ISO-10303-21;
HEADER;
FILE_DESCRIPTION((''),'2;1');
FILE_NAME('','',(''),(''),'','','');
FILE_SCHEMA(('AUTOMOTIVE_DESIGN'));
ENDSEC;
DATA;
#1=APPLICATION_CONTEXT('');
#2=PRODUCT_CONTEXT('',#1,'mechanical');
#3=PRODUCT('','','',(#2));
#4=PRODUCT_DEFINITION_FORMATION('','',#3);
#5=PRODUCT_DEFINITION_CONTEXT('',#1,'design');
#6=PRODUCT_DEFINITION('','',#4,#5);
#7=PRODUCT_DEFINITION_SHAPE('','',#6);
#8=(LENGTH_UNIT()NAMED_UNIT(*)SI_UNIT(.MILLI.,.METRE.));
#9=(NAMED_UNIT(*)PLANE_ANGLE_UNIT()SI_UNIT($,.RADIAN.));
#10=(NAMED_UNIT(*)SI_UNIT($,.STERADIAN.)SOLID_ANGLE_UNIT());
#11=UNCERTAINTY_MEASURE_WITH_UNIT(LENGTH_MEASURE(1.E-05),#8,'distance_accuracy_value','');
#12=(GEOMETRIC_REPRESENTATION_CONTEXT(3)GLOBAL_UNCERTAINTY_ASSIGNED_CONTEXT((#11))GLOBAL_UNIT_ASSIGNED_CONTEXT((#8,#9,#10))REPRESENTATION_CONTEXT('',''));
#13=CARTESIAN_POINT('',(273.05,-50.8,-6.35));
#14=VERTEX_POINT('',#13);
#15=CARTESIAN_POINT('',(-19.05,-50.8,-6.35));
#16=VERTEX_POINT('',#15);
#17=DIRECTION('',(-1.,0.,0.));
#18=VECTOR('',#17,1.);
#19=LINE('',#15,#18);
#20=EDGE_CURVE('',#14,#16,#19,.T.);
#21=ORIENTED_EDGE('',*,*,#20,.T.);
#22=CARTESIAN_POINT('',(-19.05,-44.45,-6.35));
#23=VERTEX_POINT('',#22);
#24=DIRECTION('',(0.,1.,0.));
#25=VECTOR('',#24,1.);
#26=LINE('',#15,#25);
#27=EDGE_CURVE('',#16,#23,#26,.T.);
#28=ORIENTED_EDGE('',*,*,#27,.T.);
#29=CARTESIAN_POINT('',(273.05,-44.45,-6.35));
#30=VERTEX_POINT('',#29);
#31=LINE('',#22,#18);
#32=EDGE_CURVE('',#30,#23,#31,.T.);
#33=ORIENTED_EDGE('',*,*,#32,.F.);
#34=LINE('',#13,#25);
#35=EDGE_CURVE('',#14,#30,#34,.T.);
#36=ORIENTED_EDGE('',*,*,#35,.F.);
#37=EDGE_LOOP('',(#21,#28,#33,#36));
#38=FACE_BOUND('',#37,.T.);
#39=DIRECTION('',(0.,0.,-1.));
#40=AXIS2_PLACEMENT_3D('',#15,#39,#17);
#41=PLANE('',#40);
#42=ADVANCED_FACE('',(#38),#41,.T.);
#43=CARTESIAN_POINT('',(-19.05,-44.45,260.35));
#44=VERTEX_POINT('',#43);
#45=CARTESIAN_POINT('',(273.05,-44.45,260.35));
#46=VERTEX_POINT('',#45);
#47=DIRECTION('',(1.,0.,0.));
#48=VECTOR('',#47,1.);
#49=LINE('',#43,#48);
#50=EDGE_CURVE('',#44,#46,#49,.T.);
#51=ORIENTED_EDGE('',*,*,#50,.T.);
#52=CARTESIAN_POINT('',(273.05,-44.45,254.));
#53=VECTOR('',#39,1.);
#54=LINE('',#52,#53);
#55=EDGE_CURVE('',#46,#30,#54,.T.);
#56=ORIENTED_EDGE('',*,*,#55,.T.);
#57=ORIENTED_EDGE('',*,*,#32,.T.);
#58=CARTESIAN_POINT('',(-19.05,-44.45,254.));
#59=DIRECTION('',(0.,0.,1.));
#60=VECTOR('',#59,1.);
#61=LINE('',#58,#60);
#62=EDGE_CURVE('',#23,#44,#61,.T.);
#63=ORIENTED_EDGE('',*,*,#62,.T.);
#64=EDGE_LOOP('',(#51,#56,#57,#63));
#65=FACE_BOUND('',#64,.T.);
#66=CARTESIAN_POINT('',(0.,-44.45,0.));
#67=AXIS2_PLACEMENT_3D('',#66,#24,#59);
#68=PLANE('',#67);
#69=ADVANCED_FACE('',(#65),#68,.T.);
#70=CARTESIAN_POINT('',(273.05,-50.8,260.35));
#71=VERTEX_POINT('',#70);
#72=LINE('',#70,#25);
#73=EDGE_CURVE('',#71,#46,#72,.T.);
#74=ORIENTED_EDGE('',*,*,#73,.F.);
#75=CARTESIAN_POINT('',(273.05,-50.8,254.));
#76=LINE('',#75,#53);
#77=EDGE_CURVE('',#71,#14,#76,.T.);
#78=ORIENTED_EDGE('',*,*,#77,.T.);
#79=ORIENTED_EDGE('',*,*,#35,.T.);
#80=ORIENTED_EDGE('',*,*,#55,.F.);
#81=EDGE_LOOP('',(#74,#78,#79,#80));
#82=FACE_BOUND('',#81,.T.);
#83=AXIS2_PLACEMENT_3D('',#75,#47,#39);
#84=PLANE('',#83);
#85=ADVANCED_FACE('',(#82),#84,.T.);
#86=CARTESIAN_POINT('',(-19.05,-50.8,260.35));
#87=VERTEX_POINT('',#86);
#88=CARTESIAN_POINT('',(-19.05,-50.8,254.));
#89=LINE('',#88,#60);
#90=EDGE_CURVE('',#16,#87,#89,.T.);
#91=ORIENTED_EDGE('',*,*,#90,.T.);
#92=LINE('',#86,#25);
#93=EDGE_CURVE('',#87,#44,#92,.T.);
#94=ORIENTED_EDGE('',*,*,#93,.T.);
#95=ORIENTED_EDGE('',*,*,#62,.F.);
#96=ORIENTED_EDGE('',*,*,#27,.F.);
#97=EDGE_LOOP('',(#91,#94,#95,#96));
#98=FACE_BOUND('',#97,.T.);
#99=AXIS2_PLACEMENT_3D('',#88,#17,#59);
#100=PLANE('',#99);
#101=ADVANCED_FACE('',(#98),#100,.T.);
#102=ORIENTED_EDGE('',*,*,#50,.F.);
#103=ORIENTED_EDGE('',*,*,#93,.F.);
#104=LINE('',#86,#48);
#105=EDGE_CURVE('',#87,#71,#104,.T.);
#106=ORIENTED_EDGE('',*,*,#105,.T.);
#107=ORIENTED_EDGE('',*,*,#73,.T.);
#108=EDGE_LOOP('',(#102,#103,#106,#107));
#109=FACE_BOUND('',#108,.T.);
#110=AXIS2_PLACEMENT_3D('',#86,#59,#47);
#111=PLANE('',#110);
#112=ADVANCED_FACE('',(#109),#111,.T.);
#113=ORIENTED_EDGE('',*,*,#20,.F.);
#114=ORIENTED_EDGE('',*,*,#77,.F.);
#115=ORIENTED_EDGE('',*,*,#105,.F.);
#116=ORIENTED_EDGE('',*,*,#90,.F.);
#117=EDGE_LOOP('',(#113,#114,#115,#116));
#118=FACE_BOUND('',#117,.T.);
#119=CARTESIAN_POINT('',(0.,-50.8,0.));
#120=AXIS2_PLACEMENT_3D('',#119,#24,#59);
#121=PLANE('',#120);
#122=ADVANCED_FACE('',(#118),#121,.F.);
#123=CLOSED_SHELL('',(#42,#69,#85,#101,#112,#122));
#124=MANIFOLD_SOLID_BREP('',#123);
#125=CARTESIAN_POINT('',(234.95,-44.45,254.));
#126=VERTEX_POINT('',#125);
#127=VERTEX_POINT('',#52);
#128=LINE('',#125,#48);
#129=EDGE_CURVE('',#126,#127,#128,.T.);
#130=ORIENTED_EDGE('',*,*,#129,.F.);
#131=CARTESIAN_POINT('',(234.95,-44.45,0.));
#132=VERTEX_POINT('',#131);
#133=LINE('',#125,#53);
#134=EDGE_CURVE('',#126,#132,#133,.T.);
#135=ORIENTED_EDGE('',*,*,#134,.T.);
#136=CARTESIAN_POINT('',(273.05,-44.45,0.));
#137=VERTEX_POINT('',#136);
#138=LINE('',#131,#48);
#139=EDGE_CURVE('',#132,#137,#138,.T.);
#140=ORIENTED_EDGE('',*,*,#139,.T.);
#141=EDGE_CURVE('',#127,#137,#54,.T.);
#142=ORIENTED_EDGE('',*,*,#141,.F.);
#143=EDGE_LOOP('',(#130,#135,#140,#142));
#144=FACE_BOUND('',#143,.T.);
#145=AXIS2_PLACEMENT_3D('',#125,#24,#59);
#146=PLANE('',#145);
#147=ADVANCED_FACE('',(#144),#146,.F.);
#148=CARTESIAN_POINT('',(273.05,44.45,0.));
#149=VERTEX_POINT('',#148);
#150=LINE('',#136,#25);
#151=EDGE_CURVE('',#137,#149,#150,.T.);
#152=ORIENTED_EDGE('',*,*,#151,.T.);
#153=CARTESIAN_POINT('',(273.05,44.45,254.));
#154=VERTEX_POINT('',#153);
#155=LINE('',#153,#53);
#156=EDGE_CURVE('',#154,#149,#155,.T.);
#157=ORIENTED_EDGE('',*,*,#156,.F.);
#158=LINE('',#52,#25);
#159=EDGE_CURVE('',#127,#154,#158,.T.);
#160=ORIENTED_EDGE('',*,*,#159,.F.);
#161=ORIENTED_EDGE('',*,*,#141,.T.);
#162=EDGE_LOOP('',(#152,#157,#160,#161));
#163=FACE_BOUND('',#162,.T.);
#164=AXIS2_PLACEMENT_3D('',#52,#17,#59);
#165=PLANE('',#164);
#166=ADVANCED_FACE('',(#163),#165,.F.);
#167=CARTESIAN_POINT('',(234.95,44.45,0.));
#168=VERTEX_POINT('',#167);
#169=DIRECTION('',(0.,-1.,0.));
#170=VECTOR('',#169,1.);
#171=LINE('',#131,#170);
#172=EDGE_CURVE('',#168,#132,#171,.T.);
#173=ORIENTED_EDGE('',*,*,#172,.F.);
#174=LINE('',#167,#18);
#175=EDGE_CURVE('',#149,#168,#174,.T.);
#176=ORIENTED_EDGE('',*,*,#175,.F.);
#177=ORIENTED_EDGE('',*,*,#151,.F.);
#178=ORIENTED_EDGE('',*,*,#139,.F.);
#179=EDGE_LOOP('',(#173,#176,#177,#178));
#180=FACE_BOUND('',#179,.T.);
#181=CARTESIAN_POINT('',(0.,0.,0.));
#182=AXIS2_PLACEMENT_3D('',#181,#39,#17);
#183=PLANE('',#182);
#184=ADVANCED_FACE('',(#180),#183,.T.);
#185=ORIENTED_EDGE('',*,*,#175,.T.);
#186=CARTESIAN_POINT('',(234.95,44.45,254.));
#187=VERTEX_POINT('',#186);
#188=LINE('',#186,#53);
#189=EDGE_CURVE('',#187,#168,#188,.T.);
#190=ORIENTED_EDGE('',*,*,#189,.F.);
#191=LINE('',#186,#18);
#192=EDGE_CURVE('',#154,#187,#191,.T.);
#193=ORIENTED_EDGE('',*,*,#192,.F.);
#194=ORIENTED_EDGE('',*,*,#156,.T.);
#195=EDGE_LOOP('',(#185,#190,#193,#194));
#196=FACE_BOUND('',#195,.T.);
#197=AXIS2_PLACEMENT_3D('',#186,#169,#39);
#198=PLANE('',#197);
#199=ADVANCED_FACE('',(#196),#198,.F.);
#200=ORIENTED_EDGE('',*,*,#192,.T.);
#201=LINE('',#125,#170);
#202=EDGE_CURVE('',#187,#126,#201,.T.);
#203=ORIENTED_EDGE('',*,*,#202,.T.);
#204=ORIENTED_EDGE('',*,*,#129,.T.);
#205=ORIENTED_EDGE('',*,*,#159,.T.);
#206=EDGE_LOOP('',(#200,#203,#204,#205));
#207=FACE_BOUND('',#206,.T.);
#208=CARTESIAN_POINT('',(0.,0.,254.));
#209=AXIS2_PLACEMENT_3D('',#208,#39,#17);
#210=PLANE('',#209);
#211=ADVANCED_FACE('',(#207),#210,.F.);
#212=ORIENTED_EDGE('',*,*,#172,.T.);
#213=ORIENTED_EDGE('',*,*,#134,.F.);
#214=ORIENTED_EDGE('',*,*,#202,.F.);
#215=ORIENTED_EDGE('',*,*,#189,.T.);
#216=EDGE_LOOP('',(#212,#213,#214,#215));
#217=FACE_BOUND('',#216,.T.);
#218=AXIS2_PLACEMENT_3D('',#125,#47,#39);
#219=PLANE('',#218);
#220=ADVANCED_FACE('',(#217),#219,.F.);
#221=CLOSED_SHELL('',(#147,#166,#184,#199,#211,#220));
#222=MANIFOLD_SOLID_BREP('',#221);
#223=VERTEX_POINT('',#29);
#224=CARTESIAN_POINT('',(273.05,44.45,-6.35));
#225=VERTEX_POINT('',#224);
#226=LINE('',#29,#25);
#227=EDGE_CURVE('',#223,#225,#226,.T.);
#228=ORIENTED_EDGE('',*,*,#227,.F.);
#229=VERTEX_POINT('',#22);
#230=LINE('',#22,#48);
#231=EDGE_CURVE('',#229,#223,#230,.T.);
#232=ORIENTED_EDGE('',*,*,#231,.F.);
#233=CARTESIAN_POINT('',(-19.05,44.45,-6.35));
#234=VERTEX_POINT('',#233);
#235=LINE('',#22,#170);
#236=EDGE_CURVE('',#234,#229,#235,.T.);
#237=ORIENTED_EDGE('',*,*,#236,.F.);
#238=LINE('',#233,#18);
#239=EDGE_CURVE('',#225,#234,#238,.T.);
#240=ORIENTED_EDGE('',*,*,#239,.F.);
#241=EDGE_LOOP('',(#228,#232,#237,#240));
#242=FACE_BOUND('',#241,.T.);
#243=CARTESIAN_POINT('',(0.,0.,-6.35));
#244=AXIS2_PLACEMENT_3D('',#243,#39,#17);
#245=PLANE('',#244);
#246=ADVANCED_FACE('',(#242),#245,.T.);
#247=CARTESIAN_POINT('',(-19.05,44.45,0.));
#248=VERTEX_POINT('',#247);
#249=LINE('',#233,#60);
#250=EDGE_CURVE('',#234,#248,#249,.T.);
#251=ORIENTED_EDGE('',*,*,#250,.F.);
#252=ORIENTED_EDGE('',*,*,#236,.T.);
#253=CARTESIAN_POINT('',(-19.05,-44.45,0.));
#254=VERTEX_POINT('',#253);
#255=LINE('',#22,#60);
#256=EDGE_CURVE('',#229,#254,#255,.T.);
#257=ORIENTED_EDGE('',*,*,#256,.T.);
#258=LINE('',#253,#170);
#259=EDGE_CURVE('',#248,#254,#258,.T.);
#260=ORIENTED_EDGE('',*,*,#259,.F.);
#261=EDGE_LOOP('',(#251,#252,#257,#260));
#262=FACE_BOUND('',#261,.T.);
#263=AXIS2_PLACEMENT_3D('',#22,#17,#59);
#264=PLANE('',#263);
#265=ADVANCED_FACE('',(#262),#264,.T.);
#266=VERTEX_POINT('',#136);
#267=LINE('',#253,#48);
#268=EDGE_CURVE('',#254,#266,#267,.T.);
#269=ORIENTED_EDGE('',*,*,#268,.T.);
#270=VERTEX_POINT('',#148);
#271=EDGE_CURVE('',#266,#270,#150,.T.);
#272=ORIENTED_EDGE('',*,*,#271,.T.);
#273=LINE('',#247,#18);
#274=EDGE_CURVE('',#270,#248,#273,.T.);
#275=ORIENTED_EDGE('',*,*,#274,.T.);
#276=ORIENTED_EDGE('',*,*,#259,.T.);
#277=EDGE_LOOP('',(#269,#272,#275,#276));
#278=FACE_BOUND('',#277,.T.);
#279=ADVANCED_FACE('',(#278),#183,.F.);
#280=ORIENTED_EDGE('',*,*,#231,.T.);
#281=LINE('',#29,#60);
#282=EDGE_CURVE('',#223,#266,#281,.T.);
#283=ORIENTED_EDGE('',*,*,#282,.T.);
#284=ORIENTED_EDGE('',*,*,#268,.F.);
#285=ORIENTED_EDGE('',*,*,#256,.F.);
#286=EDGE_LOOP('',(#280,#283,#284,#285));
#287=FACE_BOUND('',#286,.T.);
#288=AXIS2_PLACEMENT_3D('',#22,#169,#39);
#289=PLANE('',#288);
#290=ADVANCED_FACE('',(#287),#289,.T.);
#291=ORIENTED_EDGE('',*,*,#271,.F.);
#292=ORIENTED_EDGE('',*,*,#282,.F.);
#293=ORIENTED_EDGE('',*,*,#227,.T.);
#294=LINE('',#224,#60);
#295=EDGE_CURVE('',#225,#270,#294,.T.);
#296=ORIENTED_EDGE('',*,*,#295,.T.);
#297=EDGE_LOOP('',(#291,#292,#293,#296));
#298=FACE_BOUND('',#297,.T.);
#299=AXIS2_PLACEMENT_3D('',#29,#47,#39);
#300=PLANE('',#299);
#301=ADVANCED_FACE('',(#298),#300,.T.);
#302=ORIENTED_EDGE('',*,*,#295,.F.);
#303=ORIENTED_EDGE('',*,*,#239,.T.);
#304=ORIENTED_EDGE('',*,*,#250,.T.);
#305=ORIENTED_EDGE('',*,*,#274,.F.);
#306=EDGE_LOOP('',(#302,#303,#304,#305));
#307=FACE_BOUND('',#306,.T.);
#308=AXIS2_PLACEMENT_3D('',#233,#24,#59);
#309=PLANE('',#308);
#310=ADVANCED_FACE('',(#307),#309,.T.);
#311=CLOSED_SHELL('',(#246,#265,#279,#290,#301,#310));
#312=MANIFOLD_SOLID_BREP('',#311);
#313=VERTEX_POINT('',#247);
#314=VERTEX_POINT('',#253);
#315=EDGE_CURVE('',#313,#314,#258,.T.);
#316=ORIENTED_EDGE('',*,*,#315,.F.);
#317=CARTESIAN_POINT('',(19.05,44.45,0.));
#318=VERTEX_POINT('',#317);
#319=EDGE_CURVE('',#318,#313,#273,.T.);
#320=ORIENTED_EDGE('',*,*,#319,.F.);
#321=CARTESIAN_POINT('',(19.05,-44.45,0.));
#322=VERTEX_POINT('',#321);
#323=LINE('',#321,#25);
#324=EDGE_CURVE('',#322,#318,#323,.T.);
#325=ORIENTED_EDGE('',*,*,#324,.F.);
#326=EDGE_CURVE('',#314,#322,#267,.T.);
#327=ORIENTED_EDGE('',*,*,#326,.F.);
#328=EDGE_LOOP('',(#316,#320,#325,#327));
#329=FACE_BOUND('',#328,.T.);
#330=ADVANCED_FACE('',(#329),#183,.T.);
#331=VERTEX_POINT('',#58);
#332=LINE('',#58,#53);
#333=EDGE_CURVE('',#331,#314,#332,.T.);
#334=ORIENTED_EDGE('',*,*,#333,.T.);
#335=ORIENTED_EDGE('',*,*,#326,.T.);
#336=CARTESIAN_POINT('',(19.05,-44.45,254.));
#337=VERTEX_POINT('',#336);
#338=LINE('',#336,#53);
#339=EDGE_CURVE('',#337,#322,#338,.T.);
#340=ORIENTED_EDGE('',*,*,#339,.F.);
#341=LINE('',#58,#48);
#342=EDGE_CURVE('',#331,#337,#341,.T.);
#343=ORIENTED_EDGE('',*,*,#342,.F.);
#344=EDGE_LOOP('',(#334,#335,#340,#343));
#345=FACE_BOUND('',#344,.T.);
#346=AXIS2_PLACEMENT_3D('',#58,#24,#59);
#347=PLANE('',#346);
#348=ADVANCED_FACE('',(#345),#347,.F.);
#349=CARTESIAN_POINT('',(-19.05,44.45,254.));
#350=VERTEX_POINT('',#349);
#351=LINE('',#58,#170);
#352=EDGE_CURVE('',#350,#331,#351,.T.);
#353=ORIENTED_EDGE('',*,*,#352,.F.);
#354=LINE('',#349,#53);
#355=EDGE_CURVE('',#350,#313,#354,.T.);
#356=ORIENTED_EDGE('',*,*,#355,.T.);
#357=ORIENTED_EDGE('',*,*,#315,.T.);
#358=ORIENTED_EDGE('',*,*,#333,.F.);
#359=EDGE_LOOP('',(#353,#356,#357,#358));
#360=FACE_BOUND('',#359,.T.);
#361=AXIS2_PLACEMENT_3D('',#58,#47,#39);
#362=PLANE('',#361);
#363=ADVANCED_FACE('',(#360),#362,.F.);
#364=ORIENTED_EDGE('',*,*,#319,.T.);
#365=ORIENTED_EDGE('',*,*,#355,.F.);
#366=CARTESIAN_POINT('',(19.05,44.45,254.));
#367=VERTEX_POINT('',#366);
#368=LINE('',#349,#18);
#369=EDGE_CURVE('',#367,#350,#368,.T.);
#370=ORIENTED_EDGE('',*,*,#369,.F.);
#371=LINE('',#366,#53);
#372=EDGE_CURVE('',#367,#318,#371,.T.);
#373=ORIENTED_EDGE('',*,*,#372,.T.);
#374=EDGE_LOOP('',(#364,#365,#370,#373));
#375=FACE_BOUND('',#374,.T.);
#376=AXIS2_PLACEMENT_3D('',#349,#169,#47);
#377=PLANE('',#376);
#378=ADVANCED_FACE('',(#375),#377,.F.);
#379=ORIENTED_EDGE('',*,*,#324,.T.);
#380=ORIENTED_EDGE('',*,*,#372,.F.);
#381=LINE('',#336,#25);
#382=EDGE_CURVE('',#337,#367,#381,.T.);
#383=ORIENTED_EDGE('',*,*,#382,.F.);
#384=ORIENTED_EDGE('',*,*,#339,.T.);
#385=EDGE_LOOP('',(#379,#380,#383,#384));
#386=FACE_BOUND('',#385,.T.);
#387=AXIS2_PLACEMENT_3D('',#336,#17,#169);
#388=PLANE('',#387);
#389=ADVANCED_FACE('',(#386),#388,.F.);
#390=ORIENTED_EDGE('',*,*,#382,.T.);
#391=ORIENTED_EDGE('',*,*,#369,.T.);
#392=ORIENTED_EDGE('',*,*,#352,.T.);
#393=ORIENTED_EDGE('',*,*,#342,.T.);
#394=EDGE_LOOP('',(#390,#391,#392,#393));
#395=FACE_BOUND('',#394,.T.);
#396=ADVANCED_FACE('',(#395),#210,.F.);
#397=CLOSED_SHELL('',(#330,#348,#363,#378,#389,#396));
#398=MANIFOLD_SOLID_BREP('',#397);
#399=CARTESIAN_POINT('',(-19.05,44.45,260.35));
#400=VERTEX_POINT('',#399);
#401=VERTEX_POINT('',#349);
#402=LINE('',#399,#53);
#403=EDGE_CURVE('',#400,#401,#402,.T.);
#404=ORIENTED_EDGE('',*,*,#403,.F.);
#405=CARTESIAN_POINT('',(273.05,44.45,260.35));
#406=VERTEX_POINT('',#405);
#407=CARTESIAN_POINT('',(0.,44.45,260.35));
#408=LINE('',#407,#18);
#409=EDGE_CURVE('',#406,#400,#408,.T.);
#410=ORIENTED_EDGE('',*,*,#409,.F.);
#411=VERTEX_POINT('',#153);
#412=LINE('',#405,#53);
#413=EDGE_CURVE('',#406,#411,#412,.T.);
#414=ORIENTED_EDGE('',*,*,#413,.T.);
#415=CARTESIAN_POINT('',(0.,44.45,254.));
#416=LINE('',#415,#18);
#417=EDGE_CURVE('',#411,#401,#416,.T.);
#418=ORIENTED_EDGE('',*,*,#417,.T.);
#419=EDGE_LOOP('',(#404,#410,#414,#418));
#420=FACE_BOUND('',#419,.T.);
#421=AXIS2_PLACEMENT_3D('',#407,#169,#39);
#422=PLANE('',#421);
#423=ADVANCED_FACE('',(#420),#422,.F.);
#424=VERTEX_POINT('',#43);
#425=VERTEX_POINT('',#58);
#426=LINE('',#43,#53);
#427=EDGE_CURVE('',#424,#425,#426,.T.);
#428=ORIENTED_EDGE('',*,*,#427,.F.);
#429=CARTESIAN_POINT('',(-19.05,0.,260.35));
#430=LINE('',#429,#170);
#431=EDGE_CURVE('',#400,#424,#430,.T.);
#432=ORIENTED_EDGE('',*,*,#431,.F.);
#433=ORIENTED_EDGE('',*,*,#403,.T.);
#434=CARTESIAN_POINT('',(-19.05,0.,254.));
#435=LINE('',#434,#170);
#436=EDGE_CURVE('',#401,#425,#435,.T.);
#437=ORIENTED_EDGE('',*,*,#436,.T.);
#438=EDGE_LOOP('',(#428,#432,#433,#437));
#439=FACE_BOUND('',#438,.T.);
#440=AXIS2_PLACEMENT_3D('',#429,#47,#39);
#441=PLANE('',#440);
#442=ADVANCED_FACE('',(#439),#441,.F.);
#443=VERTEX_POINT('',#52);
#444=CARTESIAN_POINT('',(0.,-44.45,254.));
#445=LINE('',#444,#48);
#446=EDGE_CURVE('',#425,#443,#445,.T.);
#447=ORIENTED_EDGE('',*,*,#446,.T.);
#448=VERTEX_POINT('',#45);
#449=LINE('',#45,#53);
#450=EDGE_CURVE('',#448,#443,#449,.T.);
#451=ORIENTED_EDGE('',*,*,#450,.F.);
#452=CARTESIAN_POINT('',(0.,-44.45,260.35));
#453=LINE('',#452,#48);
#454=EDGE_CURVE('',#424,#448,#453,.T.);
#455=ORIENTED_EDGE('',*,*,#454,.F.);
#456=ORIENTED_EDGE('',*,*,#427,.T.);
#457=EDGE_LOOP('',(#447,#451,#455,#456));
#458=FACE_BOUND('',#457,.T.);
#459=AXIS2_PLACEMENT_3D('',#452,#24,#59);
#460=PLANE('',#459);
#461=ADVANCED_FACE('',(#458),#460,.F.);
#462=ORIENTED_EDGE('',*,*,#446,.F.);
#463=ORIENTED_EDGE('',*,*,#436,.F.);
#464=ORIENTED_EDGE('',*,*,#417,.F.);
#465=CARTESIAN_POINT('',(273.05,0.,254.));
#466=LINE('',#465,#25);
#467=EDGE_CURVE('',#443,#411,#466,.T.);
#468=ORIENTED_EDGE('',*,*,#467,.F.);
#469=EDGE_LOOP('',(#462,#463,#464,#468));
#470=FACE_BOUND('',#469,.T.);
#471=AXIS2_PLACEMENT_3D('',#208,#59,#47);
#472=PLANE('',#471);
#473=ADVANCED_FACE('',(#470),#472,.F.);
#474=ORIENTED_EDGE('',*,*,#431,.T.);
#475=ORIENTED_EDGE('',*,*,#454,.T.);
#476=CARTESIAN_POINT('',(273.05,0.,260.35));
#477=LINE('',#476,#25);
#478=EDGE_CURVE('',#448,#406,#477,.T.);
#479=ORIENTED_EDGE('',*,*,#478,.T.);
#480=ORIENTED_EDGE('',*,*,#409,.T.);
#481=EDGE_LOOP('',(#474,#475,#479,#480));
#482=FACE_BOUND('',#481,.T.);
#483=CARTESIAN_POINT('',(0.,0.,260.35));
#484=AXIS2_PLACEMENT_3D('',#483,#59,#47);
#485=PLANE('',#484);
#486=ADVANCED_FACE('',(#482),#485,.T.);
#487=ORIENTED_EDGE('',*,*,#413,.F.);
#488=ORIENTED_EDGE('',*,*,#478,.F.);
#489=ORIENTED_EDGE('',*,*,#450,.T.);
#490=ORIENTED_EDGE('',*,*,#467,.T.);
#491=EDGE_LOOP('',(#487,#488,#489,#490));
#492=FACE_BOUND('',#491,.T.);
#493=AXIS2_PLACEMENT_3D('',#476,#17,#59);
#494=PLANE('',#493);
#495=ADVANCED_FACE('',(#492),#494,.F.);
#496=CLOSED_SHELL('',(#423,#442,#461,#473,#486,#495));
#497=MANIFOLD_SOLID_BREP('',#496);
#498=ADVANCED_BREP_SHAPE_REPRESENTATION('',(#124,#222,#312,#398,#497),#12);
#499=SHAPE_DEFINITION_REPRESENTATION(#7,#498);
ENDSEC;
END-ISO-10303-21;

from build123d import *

# Parameters (mm, degrees)
SKETCH1_W             = 38.1
SKETCH1_H             = 88.9
BOSS_EXTRUDE1_DEPTH   = 254
BOSS_EXTRUDE1_2_DEPTH = 254
SKETCH2_W             = 292.1
SKETCH2_H             = 88.9
BOSS_EXTRUDE2_DEPTH   = 6.35
BOSS_EXTRUDE3_START   = 254
SKETCH2_2_W           = 292.1
SKETCH2_2_H           = 88.9
BOSS_EXTRUDE3_DEPTH   = 6.35
BOSS_EXTRUDE4_START   = -44.45
SKETCH3_W             = 292.1
SKETCH3_H             = 266.7
BOSS_EXTRUDE4_DEPTH   = 6.35


with BuildPart() as part:
    # Sketch1 → Boss-Extrude1 (new body)
    with BuildSketch(Plane.XY):
        Rectangle(SKETCH1_W, SKETCH1_H)
    extrude(amount=BOSS_EXTRUDE1_DEPTH)


with BuildPart() as body_2:
    # Sketch1 → Boss-Extrude1 2 (new body)
    with BuildSketch(Plane.XY):
        with Locations((254, 0)):
            Rectangle(SKETCH1_W, SKETCH1_H)
    extrude(amount=BOSS_EXTRUDE1_2_DEPTH)


with BuildPart() as body_3:
    # Sketch2 → Boss-Extrude2 (new body)
    with BuildSketch(Plane.XY):
        with Locations((127, 0)):
            Rectangle(SKETCH2_W, SKETCH2_H)
    extrude(amount=-BOSS_EXTRUDE2_DEPTH)


with BuildPart() as body_4:
    # Sketch2<2> → Boss-Extrude3 (new body)
    with BuildSketch(Plane.XY.offset(BOSS_EXTRUDE3_START)):
        with Locations((127, 0)):
            Rectangle(SKETCH2_2_W, SKETCH2_2_H)
    extrude(amount=BOSS_EXTRUDE3_DEPTH)


with BuildPart() as body_5:
    # Sketch3 → Boss-Extrude4 (new body)
    with BuildSketch(Plane(origin=(0, 0, 0), x_dir=(1, 0, 0), z_dir=(0, 1, 0)).offset(BOSS_EXTRUDE4_START)):
        with Locations((127, -127)):
            Rectangle(SKETCH3_W, SKETCH3_H)
    extrude(amount=-BOSS_EXTRUDE4_DEPTH)


solid = Compound([part.part, body_2.part, body_3.part, body_4.part, body_5.part])
